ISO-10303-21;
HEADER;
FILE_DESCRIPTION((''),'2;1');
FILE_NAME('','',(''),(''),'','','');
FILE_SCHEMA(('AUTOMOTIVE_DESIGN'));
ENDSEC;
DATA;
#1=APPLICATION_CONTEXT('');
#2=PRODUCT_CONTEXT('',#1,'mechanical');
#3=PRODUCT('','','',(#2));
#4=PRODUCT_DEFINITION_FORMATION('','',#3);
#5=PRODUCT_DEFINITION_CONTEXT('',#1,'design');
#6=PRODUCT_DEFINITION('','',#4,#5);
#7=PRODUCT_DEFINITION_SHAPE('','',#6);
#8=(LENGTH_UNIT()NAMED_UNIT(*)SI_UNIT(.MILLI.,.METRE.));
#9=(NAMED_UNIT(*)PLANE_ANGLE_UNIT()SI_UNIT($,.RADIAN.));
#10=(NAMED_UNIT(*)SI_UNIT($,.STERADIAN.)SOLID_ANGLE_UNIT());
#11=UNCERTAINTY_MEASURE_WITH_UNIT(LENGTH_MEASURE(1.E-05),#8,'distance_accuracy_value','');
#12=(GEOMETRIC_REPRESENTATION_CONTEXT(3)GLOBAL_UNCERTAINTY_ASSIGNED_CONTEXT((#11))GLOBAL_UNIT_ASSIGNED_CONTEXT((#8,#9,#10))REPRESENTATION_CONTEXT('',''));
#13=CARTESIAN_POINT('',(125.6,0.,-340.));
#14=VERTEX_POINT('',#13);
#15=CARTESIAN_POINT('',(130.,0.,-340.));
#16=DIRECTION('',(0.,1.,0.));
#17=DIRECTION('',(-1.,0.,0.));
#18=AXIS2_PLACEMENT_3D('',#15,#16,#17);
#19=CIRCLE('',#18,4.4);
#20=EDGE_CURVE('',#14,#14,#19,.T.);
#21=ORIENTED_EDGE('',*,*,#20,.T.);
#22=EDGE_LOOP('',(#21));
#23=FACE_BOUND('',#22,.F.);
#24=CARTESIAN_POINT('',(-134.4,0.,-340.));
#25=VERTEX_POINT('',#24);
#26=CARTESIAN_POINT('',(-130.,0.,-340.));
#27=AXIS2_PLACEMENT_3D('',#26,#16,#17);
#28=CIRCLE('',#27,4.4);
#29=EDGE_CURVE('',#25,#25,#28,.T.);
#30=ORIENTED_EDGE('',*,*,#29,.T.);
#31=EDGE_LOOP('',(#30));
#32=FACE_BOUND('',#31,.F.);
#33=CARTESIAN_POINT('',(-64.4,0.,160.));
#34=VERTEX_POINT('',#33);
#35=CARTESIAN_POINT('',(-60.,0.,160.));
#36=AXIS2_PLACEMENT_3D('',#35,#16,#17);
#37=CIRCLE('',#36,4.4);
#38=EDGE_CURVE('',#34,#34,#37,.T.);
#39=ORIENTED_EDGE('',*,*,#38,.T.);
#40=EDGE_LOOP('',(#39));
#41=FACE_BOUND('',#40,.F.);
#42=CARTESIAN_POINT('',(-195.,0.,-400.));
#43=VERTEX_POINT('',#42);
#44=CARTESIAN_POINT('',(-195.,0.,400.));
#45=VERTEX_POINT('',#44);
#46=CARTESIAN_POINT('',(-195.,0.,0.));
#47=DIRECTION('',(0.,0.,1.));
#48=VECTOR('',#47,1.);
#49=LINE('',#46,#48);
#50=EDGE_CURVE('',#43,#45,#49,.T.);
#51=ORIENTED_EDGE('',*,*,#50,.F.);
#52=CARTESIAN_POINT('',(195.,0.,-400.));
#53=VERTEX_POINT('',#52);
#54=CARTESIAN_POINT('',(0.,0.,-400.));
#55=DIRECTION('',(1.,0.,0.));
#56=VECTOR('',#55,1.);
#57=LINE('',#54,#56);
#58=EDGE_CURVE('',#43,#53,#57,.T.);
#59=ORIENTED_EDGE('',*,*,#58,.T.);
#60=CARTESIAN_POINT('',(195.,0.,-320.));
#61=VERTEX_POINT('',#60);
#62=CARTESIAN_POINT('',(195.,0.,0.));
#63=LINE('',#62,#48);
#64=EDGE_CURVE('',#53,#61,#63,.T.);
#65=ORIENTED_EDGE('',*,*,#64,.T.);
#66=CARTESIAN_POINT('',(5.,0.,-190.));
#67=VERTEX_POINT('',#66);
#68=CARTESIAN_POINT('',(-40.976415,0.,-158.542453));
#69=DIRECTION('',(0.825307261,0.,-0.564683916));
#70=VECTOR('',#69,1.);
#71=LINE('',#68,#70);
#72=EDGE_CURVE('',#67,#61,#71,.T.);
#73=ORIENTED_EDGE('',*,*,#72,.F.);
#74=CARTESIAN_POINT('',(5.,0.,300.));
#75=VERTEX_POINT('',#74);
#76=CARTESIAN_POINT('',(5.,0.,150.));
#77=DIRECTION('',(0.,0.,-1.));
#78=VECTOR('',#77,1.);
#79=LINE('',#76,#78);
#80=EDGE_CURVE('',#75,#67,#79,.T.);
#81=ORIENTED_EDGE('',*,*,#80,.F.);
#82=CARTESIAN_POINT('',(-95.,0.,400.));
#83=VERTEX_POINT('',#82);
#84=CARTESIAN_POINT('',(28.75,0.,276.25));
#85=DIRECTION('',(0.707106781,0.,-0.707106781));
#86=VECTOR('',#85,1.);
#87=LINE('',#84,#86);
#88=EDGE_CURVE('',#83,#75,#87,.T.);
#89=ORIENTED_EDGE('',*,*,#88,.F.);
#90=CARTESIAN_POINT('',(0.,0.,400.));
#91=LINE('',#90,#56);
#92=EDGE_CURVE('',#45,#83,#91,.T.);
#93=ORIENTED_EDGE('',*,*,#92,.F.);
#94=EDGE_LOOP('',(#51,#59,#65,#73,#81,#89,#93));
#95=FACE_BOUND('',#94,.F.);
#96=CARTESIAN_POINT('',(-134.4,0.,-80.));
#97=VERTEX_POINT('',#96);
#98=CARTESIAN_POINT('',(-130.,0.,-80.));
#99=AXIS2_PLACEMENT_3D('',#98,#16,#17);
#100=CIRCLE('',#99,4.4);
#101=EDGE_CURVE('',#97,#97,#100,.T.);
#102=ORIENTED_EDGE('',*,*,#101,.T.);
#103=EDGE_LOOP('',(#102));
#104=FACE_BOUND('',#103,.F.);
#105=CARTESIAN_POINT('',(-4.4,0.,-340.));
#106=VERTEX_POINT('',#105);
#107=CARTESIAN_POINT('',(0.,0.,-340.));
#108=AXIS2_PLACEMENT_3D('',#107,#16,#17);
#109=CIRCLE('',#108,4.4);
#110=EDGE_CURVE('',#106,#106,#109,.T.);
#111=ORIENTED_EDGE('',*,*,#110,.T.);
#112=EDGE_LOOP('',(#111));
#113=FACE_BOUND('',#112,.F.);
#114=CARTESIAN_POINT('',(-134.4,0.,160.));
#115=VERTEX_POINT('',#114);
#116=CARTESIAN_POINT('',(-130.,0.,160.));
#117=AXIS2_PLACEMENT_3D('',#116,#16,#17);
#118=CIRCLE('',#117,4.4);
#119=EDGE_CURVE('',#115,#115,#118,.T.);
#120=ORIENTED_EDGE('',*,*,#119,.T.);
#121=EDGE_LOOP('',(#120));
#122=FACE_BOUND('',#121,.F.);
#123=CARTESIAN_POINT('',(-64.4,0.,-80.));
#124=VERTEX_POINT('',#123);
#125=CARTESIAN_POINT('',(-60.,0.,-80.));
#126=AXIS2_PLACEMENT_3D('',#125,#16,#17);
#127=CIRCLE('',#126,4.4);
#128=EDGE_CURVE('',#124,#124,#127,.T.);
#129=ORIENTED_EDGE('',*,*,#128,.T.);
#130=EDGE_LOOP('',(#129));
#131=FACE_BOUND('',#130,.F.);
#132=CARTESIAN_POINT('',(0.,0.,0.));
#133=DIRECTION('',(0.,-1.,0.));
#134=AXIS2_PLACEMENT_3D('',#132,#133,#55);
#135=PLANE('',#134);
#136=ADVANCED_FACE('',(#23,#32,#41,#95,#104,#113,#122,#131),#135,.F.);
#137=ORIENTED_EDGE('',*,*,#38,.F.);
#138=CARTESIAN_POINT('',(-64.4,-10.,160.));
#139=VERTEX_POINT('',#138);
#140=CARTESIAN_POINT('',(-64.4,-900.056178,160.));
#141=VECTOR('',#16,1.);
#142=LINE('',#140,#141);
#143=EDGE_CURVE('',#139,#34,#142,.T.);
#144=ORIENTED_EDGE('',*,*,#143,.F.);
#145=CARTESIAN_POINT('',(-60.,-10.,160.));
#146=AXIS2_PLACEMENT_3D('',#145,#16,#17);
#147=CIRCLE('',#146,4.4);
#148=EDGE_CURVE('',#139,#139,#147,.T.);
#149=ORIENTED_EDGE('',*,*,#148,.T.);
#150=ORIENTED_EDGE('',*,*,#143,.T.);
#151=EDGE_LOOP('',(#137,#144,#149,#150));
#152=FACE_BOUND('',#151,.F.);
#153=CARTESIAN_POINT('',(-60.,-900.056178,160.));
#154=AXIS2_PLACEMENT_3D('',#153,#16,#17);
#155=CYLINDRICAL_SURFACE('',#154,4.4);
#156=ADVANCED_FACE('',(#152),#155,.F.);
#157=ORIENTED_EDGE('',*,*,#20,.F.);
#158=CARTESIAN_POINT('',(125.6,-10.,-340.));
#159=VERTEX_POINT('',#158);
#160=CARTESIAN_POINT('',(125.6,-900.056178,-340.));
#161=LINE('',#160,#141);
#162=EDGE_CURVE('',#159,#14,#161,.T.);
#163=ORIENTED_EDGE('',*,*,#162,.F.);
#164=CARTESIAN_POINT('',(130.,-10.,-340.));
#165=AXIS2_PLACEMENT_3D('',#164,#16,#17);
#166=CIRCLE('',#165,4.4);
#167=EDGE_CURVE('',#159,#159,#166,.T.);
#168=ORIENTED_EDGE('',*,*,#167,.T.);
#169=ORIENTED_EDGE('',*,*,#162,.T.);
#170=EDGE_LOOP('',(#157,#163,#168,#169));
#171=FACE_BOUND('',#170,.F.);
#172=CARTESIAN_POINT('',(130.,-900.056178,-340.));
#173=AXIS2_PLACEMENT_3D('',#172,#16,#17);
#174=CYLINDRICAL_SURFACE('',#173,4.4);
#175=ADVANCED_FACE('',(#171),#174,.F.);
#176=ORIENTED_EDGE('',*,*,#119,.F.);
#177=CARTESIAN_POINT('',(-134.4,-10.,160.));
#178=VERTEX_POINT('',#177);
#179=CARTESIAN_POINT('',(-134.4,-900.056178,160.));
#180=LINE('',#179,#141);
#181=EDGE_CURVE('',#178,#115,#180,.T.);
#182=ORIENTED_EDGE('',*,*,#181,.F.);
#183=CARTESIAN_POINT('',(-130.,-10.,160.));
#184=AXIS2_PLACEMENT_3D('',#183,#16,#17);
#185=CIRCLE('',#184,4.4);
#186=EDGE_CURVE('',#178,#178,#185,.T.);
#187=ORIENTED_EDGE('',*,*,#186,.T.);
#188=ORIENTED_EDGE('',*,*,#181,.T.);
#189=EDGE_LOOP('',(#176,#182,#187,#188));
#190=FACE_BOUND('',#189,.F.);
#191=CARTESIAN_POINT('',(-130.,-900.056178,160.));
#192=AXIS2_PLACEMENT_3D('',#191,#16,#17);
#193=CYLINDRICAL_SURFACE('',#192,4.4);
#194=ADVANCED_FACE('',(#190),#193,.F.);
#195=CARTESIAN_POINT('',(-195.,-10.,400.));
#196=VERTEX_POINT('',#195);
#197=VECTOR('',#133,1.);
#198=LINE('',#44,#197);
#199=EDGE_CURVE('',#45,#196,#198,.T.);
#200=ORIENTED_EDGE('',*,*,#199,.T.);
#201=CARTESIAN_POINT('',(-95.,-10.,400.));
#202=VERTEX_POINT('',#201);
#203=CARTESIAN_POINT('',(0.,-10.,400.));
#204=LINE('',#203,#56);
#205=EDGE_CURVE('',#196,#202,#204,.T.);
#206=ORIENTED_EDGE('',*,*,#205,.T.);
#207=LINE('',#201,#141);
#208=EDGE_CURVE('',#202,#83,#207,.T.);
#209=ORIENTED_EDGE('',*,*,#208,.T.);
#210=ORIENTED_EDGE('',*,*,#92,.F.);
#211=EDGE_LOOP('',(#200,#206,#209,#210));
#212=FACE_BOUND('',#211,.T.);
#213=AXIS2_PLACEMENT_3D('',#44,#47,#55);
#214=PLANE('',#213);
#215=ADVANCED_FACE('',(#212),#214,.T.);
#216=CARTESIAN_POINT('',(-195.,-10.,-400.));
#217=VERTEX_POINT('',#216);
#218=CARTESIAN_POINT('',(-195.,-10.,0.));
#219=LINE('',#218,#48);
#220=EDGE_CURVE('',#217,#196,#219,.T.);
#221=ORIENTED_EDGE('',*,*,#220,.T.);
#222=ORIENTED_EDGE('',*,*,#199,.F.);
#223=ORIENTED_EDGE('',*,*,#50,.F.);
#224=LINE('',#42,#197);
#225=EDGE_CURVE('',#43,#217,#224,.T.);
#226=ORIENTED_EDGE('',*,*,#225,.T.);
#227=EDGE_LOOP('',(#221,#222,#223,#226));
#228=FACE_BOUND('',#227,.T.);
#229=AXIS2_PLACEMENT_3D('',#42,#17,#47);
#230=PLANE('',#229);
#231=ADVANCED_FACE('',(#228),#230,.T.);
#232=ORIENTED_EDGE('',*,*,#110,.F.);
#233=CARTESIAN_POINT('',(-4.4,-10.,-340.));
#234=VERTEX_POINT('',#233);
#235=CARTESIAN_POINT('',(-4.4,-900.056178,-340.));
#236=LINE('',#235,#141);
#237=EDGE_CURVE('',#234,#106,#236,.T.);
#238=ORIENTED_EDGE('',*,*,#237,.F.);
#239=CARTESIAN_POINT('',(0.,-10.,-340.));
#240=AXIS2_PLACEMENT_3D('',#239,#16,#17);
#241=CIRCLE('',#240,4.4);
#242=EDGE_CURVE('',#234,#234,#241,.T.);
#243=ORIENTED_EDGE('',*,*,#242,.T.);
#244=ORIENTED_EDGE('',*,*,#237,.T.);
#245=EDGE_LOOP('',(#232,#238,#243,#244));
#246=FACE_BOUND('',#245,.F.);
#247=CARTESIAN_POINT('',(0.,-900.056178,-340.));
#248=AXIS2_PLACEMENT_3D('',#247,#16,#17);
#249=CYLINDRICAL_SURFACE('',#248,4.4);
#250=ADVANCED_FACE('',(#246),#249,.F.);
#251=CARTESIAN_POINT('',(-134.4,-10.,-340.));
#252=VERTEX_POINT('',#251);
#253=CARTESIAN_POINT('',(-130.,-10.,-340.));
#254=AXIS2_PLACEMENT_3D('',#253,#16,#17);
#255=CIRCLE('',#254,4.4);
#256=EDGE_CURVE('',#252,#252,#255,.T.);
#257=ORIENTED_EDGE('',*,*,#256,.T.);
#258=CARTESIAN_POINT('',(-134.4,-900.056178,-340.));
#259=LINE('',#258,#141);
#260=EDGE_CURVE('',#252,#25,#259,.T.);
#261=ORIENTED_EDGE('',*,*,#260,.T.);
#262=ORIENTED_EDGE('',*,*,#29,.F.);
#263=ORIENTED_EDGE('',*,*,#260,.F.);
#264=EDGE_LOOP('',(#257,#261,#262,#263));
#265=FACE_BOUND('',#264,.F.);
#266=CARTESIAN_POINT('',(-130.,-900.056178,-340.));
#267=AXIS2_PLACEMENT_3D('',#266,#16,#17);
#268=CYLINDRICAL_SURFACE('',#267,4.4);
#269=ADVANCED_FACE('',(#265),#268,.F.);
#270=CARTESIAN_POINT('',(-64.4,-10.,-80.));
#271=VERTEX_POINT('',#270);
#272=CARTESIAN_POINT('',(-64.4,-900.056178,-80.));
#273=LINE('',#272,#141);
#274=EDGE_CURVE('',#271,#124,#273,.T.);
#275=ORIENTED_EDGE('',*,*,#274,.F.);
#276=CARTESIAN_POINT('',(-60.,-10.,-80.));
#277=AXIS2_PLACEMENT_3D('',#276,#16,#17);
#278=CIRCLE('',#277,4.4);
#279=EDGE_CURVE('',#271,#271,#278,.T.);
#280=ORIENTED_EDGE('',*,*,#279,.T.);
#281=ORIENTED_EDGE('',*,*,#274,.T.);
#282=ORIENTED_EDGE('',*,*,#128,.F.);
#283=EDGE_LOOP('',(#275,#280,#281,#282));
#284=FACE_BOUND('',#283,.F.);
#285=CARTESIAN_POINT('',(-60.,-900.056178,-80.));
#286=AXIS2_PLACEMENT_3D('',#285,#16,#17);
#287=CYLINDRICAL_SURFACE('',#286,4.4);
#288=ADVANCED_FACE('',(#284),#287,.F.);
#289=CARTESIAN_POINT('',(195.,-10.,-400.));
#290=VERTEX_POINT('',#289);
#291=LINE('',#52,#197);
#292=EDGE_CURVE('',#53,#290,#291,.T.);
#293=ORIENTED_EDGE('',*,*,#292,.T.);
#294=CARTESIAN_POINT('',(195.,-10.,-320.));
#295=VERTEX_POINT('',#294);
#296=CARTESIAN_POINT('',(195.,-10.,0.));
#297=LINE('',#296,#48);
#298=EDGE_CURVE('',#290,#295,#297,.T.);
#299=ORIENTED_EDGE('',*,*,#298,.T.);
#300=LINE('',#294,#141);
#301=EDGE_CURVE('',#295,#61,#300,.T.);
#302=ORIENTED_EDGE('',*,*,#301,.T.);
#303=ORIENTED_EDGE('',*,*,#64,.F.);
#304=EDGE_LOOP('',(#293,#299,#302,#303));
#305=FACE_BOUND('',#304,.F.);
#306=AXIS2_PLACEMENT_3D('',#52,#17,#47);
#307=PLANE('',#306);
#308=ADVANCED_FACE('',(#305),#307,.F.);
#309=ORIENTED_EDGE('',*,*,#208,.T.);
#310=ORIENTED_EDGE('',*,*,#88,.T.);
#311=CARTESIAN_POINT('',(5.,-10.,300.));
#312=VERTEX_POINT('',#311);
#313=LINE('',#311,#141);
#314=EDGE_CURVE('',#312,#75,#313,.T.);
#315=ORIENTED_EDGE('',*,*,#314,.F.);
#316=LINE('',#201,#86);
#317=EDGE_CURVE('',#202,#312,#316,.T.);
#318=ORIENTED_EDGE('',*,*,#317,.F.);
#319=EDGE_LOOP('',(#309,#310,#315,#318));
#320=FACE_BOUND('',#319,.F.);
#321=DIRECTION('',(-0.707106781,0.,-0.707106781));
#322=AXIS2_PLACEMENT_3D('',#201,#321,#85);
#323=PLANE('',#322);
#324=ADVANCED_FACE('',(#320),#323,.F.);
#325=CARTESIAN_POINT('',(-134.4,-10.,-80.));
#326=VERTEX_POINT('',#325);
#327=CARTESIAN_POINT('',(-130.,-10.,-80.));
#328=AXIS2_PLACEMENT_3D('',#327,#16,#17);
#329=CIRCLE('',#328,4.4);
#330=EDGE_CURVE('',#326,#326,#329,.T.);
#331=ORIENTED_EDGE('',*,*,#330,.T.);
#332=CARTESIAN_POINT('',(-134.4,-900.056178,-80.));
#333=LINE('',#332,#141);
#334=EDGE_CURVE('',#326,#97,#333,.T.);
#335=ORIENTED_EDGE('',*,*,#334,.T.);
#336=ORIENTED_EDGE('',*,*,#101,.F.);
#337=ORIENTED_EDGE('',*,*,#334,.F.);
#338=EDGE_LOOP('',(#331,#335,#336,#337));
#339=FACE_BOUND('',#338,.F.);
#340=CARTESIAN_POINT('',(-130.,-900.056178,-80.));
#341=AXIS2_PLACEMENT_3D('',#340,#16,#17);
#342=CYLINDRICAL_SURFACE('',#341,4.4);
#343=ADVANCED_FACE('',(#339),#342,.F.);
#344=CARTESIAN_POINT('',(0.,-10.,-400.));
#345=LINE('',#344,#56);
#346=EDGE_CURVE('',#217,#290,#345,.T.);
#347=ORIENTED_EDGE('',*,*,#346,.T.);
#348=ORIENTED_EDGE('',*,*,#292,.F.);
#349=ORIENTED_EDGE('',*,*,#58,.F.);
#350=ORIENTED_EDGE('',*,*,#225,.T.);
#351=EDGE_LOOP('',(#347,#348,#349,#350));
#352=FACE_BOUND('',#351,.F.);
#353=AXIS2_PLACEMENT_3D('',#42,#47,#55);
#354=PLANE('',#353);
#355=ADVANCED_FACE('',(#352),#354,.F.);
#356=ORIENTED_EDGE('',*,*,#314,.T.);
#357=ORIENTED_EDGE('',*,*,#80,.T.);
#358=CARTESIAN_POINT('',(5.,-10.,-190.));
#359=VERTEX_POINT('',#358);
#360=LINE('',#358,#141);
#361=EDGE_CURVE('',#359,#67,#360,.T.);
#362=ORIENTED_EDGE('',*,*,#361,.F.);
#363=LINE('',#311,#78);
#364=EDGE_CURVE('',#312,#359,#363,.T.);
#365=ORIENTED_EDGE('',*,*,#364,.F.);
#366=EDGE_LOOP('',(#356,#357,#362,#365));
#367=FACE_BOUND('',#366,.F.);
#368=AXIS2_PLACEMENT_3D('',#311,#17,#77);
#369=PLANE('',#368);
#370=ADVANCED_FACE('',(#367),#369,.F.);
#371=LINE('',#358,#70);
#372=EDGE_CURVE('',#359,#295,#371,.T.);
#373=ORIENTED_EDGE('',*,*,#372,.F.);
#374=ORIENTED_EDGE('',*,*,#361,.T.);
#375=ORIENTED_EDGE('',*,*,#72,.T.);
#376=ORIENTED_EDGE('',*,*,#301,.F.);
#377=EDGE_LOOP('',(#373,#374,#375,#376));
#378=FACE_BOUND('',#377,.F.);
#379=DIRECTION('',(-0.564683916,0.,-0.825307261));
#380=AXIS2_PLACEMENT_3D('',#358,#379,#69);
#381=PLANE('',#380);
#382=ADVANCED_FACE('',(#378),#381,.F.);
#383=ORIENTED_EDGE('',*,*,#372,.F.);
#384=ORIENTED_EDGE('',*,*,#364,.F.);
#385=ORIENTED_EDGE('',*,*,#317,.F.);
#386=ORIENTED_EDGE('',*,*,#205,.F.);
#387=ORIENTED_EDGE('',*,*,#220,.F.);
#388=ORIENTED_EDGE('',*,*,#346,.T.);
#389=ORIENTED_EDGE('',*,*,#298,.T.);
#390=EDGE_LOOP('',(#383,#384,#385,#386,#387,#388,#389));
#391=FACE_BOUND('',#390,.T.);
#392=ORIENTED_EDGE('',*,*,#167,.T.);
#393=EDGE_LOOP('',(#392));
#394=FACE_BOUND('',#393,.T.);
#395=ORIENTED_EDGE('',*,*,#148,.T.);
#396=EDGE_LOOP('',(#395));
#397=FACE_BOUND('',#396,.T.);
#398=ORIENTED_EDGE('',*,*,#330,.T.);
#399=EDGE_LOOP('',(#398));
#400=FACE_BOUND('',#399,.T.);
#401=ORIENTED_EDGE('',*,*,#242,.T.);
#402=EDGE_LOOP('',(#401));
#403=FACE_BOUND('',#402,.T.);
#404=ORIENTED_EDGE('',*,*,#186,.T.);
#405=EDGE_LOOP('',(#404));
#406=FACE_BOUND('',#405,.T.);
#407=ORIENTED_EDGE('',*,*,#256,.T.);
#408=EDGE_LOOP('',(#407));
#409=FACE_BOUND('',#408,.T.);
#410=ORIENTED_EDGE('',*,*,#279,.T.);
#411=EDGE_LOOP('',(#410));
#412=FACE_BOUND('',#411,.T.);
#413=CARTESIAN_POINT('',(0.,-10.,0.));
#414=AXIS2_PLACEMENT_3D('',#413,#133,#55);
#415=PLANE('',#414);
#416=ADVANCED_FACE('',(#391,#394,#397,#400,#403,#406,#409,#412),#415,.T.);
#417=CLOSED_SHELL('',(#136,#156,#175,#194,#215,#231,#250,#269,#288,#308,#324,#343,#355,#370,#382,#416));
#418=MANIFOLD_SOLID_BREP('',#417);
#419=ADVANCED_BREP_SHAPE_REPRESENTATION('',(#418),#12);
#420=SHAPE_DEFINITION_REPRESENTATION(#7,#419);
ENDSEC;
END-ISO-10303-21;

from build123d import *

# Parameters (mm, degrees)
F0_W     = 390
F0_H     = 800
F1_DEPTH = 10
F3_DEPTH = 25
F5_D     = 8.8


with BuildPart() as f1:
    # F0 (on Front) → F1 (new body)
    with BuildSketch(Plane.XZ):
        Rectangle(F0_W, F0_H)
    extrude(amount=F1_DEPTH)

    # F2 (on face) → F3 (cut)
    with BuildSketch(Plane.XZ.offset(10)):
        Polygon((5, -190), (195, -320), (195, 400), (-95, 400), (5, 300), align=None)
    extrude(amount=-F3_DEPTH, mode=Mode.SUBTRACT)

    # F5 (through all)
    with Locations(Plane.XZ.offset(10)):
        with Locations((-130, 160), (-60, 160), (-130, -80), (-60, -80), (-130, -340), (0, -340), (130, -340)):
            Hole(F5_D / 2)


solid = f1.part
